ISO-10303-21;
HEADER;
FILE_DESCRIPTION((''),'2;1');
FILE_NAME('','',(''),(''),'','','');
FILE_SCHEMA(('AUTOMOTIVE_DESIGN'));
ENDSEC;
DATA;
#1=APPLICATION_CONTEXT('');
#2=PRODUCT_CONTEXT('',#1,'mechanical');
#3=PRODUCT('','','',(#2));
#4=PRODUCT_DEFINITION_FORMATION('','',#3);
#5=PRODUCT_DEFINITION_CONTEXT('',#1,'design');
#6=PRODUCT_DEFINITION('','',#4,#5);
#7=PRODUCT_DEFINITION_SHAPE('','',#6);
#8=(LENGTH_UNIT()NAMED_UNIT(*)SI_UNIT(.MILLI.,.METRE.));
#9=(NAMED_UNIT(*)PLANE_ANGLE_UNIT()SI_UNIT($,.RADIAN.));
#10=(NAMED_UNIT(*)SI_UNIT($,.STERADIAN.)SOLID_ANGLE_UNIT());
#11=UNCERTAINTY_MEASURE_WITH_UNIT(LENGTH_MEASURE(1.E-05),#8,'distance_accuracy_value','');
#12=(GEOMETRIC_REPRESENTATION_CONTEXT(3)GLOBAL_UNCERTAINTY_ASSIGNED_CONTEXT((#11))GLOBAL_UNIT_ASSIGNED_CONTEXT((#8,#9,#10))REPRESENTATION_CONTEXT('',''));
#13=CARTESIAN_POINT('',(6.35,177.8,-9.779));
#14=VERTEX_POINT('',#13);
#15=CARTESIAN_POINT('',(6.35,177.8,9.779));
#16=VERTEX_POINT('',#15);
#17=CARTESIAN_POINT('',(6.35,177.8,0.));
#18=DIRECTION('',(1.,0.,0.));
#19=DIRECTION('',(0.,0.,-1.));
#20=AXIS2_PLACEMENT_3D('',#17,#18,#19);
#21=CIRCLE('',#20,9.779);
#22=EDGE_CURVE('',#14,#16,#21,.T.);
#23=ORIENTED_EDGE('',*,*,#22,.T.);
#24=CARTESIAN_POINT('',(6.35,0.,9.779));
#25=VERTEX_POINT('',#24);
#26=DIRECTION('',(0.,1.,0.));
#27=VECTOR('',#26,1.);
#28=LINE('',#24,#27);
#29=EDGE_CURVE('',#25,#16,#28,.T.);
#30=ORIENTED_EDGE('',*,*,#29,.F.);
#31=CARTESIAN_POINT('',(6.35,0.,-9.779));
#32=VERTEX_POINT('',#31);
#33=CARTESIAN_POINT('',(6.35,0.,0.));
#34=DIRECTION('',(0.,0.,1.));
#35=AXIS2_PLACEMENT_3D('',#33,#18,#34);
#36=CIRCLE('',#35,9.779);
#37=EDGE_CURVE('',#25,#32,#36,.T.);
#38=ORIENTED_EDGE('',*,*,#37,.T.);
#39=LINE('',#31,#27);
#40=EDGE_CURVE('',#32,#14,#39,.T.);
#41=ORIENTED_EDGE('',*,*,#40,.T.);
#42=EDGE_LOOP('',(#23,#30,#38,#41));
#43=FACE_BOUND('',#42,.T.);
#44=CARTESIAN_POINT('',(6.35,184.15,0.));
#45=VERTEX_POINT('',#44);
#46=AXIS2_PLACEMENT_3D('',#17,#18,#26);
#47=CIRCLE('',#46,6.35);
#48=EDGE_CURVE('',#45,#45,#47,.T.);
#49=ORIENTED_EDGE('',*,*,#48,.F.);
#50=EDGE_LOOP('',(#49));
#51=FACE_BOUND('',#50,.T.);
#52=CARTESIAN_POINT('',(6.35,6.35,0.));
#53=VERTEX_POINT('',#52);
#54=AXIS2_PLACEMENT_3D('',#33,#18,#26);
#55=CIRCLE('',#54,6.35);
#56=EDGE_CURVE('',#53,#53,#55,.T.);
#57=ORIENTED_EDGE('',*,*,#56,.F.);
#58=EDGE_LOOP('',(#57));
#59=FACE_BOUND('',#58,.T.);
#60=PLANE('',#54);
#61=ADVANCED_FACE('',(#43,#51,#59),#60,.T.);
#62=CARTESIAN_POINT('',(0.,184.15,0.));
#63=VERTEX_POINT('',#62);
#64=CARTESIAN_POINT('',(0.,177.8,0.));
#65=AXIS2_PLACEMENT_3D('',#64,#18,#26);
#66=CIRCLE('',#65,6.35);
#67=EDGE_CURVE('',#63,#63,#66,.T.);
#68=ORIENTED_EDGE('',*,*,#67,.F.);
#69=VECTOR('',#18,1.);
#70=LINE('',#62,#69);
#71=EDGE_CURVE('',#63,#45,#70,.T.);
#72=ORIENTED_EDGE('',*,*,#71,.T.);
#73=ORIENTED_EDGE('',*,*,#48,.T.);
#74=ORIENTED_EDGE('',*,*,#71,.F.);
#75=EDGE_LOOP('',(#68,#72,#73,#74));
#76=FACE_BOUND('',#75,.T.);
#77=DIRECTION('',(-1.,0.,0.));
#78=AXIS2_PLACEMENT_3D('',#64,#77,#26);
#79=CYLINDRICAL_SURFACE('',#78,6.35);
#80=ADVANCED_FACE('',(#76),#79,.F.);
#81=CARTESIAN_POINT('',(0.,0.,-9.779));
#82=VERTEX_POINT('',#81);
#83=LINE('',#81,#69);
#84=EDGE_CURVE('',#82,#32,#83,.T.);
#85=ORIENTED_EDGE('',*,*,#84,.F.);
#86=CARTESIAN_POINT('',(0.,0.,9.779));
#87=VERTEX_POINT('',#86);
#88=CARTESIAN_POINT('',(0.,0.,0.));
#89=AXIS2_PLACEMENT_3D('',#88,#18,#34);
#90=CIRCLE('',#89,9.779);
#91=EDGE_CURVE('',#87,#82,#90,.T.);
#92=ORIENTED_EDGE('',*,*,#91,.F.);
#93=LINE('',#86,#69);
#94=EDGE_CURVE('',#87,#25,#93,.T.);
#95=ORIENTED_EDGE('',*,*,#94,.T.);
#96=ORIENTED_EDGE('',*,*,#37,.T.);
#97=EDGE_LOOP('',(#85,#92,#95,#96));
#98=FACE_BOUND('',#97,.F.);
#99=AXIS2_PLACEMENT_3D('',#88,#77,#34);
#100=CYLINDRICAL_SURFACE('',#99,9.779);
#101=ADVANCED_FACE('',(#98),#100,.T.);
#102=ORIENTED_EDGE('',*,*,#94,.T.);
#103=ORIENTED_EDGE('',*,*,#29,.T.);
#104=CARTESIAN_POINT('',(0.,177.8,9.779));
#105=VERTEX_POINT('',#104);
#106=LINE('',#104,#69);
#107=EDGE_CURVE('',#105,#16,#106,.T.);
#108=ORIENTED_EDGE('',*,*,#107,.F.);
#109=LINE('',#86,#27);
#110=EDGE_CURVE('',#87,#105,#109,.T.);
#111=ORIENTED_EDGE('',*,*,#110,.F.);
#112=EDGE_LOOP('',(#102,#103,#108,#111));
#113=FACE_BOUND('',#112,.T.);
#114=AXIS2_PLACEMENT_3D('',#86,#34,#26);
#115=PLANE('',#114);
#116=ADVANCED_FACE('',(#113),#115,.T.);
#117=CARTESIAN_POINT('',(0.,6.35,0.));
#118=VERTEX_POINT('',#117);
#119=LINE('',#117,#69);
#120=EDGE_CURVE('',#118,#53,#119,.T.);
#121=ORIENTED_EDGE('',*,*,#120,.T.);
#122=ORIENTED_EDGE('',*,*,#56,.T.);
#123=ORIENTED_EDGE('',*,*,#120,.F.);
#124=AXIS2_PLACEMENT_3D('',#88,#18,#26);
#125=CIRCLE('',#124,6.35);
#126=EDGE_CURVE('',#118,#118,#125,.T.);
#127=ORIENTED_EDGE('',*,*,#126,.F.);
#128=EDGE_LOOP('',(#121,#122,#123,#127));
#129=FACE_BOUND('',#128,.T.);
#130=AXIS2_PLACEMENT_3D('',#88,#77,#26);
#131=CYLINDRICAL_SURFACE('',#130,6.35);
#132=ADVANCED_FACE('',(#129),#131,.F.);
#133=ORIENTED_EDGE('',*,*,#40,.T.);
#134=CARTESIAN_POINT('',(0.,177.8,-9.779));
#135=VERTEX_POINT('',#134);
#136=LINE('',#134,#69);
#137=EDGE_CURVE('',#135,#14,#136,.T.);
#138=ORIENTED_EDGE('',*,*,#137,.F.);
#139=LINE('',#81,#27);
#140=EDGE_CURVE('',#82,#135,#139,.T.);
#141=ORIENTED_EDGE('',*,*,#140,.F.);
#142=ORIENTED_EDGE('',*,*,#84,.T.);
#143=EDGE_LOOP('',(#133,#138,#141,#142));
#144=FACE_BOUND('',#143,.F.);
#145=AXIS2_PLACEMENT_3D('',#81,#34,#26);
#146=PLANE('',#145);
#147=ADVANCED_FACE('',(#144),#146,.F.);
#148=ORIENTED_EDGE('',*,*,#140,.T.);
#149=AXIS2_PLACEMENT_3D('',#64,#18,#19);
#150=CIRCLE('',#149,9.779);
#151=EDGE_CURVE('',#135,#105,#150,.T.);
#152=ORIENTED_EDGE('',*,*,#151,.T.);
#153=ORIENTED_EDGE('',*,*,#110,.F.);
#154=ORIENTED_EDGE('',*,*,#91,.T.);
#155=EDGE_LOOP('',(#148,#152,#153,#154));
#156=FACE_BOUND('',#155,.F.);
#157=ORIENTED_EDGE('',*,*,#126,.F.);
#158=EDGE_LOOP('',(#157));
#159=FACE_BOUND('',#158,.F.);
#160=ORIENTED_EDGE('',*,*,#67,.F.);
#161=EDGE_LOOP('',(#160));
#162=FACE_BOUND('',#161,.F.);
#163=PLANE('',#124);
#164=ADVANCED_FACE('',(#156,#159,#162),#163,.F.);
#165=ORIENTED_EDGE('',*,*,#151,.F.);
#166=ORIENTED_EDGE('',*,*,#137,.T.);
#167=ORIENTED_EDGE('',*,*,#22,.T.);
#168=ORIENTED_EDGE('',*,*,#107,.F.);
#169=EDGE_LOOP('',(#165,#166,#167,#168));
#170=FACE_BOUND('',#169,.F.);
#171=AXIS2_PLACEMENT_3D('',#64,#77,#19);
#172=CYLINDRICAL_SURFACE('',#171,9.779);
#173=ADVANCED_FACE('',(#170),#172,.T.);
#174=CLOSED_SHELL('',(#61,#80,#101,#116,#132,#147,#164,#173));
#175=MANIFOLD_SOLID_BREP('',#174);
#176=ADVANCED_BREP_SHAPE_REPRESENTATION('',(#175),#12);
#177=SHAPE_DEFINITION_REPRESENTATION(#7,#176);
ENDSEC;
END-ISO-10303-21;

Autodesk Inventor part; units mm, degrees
ref_plane "YZ Plane" through (0, 0, 0) normal (1, 0, 0) x (0, 1, 0)
ref_plane "XZ Plane" through (0, 0, 0) normal (0, 1, 0) x (-1, 0, 0)
ref_plane "XY Plane" through (0, 0, 0) normal (0, 0, 1) x (1, 0, 0)
sketch "Sketch1" plane through (0, 0, 0) normal (1, 0, 0) x (0, 1, 0)
  circle A0 centre (0, 0) radius 6.35
  arc A1 (0, 9.779) -> (0, -9.779) centre (0, 0) ccw
  line L0 (0, 9.779) -> (177.8, 9.779)
  line L1 (0, -9.779) -> (177.8, -9.779)
  arc A2 (177.8, -9.779) -> (177.8, 9.779) centre (177.8, 0) ccw
  circle A3 centre (177.8, 0) radius 6.35
  dimension "d0" = 12.7
  dimension "d1" = 19.558
  dimension "d2" = 177.8
  dimension "d3" = 177.8
  dimension "d4" = 12.7
extrude "Extrusion1" add sketch "Sketch1" along normal blind 6.35
properties part number "RollerArm"
